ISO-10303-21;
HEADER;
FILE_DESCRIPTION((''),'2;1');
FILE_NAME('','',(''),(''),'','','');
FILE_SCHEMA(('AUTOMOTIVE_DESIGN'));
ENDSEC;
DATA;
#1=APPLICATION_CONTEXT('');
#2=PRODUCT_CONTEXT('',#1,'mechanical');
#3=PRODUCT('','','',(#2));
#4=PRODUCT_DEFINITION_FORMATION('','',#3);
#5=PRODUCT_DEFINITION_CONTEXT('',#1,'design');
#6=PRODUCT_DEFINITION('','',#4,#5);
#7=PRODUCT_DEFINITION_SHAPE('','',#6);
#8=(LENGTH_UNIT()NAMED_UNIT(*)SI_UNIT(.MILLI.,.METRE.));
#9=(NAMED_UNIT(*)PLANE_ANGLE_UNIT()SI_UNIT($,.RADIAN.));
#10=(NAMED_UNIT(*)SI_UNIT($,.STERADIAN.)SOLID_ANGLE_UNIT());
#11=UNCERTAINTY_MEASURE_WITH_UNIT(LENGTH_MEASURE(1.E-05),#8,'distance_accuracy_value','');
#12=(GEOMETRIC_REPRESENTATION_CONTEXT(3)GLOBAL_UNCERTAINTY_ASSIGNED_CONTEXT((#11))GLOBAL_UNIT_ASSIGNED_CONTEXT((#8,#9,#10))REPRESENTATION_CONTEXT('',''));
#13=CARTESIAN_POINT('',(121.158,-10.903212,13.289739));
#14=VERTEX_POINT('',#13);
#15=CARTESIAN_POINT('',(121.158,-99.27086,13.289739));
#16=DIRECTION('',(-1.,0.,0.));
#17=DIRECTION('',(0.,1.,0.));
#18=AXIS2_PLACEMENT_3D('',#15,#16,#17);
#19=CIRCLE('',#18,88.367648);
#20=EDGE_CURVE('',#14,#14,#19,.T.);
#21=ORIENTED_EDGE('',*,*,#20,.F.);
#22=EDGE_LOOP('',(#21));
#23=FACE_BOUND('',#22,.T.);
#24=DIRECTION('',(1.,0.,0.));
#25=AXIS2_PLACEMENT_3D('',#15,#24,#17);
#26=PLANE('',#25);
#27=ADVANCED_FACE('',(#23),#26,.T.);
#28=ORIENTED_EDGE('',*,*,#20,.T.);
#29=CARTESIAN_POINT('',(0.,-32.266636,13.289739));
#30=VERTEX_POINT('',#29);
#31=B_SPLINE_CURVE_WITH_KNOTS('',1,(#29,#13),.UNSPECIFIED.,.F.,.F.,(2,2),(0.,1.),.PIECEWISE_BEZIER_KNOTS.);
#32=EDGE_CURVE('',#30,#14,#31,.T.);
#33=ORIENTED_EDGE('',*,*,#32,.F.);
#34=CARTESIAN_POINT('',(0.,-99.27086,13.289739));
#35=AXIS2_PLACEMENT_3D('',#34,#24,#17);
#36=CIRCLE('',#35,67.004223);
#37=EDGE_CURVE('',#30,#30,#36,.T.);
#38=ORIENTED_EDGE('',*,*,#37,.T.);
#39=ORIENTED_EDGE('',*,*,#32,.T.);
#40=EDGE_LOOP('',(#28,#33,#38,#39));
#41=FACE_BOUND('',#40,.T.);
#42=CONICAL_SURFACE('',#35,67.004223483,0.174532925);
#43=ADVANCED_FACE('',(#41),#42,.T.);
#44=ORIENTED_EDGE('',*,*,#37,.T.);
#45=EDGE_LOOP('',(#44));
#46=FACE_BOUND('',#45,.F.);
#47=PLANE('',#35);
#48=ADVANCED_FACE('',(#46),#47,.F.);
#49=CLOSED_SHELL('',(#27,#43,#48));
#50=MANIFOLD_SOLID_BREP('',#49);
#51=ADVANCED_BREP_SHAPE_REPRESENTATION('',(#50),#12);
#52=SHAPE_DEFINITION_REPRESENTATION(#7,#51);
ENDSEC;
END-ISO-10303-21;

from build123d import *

# Parameters (mm, degrees)
F0_R     = 67.0042234828
F1_DEPTH = 121.158
F1_TAPER = -10


with BuildPart() as f1:
    # F0 (on Right) → F1 (new body)
    with BuildSketch(Plane.YZ):
        with Locations((-99.2708598759, 13.2897393532)):
            Circle(F0_R)
    extrude(amount=F1_DEPTH, taper=F1_TAPER)


solid = f1.part
